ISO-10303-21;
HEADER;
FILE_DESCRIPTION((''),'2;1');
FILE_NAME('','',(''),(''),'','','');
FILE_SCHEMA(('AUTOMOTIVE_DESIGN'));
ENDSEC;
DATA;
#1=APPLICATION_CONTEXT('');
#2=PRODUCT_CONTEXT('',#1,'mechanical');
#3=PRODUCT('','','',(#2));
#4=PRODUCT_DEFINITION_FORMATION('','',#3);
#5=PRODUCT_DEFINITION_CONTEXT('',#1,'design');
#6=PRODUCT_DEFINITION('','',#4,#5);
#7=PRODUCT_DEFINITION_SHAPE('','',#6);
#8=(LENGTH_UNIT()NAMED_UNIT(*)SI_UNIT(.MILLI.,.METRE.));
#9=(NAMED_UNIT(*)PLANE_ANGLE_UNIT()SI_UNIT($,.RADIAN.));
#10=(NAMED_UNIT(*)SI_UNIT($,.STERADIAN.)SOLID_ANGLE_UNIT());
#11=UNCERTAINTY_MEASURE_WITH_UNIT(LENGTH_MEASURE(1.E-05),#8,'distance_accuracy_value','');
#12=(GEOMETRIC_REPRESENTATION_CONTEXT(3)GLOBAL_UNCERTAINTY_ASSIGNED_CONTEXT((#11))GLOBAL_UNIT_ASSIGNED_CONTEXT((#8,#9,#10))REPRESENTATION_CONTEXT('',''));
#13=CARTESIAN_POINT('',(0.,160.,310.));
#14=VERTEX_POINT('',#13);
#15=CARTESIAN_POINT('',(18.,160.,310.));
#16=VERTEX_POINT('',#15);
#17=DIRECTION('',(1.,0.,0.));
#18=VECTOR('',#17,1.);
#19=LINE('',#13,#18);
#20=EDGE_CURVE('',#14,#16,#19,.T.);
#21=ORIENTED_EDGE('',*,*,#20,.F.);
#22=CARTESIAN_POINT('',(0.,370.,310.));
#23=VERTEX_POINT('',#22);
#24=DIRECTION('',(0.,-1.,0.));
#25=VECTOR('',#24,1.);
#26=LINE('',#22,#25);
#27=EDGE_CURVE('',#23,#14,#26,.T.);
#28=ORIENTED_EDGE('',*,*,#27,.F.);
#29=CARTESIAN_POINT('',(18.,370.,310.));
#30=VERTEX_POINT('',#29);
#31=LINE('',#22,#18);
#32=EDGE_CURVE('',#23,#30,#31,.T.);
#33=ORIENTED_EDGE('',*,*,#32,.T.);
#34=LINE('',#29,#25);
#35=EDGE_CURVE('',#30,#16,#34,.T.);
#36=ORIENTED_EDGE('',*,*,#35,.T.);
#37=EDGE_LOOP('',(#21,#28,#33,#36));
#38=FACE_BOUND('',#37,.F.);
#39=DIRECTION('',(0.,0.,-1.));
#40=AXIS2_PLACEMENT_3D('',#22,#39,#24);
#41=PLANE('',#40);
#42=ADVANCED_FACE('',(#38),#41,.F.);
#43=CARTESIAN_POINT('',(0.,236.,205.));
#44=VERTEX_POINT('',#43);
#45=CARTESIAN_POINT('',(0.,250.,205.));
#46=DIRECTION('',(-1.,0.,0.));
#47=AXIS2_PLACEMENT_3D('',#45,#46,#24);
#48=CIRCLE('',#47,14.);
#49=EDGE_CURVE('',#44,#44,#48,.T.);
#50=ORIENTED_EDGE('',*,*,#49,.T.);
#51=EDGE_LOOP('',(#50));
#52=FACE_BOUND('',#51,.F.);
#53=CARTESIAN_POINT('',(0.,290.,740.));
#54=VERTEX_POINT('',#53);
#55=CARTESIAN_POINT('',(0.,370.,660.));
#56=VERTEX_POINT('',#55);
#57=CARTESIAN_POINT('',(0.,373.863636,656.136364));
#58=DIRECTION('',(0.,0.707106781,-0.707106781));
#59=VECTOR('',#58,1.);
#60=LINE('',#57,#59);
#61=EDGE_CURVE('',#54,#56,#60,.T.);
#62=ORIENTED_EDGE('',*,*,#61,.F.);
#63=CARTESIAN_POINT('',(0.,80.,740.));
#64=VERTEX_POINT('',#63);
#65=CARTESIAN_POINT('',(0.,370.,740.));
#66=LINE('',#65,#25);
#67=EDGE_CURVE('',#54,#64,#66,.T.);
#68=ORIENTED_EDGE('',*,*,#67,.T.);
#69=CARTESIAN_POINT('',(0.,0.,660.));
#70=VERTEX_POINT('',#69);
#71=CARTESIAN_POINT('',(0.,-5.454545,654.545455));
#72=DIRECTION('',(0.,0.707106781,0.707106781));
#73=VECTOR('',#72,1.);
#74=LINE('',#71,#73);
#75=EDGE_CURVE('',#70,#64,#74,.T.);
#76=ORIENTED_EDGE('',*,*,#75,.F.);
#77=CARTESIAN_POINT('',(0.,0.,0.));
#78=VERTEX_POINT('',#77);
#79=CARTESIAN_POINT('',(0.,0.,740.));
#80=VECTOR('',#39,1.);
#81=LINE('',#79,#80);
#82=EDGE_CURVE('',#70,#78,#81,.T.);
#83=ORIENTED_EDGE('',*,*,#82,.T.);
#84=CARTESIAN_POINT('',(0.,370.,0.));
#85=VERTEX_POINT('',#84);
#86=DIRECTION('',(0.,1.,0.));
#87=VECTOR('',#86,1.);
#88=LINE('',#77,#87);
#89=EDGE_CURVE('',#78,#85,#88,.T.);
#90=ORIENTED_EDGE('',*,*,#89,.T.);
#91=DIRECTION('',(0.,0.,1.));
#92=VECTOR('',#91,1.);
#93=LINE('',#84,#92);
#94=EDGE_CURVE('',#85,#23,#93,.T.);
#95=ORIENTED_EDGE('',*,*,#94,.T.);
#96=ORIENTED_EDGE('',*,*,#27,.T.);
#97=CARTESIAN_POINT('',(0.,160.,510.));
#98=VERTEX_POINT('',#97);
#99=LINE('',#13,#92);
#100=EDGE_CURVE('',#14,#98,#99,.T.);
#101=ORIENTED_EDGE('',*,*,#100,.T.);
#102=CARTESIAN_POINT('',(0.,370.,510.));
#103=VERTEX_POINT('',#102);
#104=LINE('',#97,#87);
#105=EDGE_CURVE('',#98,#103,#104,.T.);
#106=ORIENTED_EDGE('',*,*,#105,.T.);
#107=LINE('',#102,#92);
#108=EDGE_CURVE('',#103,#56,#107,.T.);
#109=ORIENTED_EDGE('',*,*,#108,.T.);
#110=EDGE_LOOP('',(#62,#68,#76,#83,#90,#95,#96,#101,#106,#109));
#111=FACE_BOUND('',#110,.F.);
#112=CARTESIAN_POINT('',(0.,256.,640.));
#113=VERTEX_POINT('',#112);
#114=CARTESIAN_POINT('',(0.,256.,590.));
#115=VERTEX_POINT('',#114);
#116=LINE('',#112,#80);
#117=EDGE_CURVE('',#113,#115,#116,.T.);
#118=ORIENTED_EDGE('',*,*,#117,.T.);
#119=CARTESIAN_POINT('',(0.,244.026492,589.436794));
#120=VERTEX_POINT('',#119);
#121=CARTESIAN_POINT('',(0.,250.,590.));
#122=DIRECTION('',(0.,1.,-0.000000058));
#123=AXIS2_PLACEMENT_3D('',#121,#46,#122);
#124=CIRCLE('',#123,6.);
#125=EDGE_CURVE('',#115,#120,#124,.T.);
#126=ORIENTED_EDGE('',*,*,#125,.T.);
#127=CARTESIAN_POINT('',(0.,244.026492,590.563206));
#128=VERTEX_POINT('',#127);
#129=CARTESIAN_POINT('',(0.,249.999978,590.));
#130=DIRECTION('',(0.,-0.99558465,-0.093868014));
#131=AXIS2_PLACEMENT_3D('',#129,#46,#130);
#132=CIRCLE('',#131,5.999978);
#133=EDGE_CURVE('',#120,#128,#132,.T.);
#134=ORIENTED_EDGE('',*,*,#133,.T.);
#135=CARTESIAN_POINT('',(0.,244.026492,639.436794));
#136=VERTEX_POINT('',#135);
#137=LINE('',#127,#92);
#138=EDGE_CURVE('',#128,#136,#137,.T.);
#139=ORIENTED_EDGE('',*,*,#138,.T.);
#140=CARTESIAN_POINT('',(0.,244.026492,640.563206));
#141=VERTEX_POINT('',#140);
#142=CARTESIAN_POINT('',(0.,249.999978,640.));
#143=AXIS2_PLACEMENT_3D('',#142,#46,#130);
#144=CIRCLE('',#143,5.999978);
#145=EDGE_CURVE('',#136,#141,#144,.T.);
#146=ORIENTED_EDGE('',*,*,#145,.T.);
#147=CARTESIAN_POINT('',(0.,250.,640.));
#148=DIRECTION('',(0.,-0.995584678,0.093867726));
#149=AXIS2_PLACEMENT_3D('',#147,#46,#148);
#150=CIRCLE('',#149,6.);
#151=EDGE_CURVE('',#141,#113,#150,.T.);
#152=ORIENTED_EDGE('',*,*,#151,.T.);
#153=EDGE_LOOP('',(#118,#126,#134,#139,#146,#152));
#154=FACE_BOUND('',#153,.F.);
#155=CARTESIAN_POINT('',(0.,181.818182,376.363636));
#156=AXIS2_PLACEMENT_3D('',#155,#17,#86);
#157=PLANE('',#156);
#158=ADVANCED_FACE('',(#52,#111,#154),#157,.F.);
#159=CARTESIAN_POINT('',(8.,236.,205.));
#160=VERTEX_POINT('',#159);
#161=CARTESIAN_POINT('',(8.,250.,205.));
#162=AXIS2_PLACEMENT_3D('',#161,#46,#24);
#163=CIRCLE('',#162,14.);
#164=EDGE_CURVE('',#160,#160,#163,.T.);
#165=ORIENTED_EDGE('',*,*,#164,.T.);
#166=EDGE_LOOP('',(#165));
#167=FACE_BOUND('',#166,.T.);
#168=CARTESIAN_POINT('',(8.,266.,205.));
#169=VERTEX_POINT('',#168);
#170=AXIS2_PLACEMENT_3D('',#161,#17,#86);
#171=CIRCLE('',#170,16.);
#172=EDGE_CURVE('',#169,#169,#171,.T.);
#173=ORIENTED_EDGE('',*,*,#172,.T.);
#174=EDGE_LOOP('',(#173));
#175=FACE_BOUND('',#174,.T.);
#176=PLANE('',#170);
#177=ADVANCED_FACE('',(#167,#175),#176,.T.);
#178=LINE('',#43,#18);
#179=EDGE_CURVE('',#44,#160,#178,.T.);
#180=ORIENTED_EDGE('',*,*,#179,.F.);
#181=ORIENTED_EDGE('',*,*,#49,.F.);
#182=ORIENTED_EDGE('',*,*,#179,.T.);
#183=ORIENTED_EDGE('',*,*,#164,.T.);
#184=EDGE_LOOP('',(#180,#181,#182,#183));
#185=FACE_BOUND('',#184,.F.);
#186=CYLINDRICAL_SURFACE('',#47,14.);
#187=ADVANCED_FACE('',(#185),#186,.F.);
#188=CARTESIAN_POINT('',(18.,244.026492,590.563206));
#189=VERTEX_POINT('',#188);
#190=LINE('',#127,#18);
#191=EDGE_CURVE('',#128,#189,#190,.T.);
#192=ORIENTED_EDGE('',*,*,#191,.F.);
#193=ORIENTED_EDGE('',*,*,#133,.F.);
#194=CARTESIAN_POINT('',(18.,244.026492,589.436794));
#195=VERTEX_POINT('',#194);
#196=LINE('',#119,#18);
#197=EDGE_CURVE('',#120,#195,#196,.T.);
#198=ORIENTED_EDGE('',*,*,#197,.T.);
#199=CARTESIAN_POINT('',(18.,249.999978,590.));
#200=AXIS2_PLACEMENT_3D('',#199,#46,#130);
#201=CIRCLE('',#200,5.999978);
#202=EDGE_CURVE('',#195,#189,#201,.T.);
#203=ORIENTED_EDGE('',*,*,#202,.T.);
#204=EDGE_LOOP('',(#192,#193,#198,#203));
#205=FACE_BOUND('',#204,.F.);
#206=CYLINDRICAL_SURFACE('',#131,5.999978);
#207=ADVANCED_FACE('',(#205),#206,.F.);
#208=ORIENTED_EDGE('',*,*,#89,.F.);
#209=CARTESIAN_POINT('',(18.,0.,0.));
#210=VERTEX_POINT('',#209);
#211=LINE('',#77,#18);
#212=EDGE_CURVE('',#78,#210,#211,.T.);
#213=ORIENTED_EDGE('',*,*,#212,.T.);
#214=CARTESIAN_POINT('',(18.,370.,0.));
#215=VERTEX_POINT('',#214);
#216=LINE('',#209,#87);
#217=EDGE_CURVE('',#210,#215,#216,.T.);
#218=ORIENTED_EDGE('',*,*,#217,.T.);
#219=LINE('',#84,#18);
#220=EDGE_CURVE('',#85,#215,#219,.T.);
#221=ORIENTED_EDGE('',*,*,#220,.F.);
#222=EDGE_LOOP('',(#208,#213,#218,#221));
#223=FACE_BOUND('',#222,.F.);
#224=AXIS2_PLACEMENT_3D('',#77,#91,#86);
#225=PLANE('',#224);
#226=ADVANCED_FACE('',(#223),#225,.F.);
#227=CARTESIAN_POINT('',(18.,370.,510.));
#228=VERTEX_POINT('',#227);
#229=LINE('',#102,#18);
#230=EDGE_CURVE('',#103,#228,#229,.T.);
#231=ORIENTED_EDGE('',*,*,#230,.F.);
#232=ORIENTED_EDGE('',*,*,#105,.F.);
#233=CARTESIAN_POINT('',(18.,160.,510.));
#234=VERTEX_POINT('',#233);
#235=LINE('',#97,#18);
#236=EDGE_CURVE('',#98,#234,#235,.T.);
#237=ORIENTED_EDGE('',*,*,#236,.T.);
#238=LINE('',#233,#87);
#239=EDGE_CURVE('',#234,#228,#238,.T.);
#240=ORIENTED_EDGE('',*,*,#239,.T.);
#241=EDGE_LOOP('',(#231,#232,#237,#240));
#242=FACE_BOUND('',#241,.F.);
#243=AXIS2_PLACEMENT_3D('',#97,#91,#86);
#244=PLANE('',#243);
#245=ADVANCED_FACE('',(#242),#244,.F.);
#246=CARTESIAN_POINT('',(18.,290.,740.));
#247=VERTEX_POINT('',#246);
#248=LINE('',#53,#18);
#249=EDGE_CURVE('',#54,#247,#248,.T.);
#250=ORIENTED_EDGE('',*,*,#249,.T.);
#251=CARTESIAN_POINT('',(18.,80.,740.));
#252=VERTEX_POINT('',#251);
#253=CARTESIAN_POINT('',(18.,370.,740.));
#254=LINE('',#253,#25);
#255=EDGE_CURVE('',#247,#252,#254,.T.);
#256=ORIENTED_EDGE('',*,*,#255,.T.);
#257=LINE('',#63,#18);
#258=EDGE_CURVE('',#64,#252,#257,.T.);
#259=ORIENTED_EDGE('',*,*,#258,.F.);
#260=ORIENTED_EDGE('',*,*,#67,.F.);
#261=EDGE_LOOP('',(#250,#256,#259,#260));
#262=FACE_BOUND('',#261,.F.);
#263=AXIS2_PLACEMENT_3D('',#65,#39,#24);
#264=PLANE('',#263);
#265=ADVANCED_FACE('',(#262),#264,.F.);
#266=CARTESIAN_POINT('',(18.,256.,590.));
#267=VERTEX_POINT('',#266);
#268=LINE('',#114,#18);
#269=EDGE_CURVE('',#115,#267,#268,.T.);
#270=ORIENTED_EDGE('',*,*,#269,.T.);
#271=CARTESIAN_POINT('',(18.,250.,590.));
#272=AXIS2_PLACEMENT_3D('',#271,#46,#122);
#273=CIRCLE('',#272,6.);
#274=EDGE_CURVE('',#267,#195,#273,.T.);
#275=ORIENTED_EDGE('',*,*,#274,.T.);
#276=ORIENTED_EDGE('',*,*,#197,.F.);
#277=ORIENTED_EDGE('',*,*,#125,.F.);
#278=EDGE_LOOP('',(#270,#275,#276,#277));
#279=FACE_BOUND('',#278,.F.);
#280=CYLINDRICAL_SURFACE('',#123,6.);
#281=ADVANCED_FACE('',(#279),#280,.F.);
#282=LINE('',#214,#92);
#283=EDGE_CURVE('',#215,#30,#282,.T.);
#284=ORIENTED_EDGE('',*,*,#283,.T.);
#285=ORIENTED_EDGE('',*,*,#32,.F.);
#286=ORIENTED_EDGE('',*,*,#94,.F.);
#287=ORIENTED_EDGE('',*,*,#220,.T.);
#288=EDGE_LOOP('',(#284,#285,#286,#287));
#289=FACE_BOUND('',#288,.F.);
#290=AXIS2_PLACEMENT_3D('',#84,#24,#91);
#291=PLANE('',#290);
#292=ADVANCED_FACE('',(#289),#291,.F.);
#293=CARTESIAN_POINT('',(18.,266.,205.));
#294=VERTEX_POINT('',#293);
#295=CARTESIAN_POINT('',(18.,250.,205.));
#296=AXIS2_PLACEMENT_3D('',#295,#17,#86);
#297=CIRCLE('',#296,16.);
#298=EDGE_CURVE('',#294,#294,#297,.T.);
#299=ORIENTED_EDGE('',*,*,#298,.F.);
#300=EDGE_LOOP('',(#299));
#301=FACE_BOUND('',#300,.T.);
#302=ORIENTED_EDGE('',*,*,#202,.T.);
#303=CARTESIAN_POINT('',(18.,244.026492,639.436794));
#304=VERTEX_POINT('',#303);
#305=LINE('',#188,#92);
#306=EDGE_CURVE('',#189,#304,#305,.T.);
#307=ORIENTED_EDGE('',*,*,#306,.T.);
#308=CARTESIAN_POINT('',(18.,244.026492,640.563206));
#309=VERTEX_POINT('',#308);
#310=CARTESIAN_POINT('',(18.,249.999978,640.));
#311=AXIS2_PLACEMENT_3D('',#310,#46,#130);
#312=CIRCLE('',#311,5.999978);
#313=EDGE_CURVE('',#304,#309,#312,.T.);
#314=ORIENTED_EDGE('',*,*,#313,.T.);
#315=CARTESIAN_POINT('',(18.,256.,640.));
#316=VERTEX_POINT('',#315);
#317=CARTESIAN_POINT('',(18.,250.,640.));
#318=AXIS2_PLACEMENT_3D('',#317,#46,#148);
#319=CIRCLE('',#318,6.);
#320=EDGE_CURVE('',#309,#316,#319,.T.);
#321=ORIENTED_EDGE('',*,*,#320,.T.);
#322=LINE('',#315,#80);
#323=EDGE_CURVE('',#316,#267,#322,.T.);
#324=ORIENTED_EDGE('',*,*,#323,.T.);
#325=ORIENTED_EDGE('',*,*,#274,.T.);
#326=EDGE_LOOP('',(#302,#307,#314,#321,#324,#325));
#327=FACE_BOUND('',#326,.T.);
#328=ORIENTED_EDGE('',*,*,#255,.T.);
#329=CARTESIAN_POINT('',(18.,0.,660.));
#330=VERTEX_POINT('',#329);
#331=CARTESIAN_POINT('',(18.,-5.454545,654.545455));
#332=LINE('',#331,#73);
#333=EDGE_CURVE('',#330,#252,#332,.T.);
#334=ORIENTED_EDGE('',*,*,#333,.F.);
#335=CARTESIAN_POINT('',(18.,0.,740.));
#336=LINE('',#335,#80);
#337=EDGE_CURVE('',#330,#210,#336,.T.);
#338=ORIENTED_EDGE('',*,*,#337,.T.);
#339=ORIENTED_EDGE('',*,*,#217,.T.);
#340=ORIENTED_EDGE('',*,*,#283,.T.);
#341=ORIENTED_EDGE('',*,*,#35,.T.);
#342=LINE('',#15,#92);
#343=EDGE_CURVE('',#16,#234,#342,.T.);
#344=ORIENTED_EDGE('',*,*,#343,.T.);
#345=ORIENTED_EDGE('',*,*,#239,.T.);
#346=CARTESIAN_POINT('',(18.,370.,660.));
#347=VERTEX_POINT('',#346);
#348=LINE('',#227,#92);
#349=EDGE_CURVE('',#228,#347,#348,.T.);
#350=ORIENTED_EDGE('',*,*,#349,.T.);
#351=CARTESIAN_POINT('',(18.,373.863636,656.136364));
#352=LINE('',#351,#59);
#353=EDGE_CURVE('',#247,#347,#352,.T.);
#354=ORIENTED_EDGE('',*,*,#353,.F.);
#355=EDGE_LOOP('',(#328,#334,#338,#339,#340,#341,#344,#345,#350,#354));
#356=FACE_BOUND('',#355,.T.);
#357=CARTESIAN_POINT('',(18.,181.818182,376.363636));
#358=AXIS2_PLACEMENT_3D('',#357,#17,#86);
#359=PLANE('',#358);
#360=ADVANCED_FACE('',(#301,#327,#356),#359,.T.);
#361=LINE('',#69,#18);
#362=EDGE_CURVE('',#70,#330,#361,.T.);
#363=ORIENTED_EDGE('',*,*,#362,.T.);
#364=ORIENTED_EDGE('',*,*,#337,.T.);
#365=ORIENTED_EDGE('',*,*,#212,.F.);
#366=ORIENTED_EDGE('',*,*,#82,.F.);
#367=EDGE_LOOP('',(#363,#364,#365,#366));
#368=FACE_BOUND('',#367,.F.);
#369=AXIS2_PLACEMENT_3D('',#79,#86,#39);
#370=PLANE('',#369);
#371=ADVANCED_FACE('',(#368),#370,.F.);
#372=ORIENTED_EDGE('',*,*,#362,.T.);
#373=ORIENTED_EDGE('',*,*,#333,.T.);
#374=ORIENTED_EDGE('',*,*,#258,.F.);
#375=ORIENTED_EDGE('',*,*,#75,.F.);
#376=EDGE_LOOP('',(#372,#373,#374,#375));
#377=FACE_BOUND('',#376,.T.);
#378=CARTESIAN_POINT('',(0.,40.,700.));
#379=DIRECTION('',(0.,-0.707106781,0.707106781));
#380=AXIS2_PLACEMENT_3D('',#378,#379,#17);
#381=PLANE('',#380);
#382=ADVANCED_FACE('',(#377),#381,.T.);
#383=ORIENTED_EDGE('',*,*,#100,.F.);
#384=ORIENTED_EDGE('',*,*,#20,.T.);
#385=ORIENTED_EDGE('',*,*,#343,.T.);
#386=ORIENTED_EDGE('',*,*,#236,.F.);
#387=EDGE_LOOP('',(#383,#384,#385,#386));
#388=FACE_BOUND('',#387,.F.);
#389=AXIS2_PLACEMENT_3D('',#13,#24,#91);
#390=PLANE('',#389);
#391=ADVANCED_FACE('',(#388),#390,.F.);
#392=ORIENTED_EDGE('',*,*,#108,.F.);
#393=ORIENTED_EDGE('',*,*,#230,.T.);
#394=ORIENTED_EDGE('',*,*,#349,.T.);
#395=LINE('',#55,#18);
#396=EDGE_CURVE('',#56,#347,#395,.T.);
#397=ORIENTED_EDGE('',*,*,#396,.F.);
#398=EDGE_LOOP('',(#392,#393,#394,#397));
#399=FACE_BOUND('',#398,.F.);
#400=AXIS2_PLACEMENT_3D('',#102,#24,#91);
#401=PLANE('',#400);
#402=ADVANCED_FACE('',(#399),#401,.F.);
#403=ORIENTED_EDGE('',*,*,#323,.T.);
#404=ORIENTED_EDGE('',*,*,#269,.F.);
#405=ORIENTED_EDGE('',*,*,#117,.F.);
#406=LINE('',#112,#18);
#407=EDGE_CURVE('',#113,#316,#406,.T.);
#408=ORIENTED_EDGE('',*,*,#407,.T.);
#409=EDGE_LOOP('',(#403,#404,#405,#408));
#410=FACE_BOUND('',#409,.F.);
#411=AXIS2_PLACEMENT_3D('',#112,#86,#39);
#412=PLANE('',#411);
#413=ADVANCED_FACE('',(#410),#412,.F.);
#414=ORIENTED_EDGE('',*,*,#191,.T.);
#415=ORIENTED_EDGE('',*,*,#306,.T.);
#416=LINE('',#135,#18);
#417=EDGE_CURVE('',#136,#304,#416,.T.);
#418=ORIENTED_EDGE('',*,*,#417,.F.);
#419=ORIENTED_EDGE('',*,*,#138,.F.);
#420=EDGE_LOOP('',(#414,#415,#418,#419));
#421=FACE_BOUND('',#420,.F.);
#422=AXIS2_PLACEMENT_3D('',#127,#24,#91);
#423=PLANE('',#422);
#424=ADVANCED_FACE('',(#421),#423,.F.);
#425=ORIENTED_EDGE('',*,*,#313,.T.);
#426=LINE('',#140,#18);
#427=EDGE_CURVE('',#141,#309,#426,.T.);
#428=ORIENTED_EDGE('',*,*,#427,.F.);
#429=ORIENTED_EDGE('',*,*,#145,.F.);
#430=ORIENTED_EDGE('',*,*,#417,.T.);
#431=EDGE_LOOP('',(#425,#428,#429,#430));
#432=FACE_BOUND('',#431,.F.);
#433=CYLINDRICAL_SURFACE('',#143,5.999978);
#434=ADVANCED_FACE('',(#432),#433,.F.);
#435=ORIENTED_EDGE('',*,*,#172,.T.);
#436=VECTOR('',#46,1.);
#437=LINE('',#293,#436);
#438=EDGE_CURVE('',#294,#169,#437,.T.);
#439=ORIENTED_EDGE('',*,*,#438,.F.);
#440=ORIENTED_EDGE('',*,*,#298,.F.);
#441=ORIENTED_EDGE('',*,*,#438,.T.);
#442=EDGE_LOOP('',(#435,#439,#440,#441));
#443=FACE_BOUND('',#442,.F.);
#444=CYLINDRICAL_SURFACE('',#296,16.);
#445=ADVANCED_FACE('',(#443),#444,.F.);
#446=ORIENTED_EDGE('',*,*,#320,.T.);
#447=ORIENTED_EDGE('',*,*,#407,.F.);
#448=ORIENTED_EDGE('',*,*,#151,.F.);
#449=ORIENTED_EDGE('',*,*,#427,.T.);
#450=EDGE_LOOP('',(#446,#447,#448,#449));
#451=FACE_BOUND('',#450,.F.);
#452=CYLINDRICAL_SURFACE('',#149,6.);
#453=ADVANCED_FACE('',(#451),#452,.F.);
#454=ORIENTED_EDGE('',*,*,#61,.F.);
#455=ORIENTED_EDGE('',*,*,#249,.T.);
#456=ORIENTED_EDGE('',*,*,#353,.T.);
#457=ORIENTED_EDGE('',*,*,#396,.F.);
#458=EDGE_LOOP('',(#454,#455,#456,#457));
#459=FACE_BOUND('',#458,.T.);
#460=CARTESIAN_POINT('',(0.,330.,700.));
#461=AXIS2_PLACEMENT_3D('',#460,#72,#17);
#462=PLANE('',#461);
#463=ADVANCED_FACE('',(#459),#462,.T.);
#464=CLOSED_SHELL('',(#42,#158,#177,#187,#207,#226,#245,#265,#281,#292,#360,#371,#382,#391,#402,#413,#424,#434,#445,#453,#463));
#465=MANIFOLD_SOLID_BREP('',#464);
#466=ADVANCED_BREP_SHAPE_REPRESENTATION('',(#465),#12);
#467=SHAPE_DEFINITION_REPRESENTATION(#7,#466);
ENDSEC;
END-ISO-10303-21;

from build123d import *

# Parameters (mm, degrees)
F0_R     = 6
F1_DEPTH = 18
F2_SIZE  = 80
F3_R     = 16
F4_DEPTH = 10
F5_R     = 14
F6_DEPTH = 8


with BuildPart() as f1:
    # F0 (on Right) → F1 (new body)
    with BuildSketch(Plane.YZ):
        Polygon((0, 740), (0, 0), (370, 0), (370, 310), (160, 310), (160, 510), (370, 510), (370, 740), align=None)
        with Locations((250, 205)):
            Circle(F0_R, mode=Mode.SUBTRACT)
        with BuildLine():
            ThreePointArc((244.026492, 640.563206), (250.281914, 645.993373), (256, 640))
            Line((256, 640), (256, 590))
            ThreePointArc((256, 590), (250.281914, 584.006627), (244.026492, 589.436794))
            ThreePointArc((244.026492, 589.436794), (244, 590), (244.026492, 590.563206))
            Line((244.026492, 590.563206), (244.026492, 639.436794))
            ThreePointArc((244.026492, 639.436794), (244, 640), (244.026492, 640.563206))
        make_face(mode=Mode.SUBTRACT)
    extrude(amount=F1_DEPTH)

    # F2
    f2_edges = [f1.edges().sort_by_distance(p)[0] for p in [
        (9, 0, 740),
        (9, 370, 740),
    ]]
    chamfer(f2_edges, length=F2_SIZE)

    # F3 (on face) → F4 (cut)
    with BuildSketch(Plane.YZ.offset(18)):
        with Locations((250, 205)):
            Circle(F3_R)
    extrude(amount=-F4_DEPTH, mode=Mode.SUBTRACT)

    # F5 (on face) → F6 (cut)
    with BuildSketch(Plane(origin=(0, 0, 0), x_dir=(0, -1, 0), z_dir=(-1, 0, 0))):
        with Locations((-250, 205)):
            Circle(F5_R)
    extrude(amount=-F6_DEPTH, mode=Mode.SUBTRACT)


solid = f1.part
